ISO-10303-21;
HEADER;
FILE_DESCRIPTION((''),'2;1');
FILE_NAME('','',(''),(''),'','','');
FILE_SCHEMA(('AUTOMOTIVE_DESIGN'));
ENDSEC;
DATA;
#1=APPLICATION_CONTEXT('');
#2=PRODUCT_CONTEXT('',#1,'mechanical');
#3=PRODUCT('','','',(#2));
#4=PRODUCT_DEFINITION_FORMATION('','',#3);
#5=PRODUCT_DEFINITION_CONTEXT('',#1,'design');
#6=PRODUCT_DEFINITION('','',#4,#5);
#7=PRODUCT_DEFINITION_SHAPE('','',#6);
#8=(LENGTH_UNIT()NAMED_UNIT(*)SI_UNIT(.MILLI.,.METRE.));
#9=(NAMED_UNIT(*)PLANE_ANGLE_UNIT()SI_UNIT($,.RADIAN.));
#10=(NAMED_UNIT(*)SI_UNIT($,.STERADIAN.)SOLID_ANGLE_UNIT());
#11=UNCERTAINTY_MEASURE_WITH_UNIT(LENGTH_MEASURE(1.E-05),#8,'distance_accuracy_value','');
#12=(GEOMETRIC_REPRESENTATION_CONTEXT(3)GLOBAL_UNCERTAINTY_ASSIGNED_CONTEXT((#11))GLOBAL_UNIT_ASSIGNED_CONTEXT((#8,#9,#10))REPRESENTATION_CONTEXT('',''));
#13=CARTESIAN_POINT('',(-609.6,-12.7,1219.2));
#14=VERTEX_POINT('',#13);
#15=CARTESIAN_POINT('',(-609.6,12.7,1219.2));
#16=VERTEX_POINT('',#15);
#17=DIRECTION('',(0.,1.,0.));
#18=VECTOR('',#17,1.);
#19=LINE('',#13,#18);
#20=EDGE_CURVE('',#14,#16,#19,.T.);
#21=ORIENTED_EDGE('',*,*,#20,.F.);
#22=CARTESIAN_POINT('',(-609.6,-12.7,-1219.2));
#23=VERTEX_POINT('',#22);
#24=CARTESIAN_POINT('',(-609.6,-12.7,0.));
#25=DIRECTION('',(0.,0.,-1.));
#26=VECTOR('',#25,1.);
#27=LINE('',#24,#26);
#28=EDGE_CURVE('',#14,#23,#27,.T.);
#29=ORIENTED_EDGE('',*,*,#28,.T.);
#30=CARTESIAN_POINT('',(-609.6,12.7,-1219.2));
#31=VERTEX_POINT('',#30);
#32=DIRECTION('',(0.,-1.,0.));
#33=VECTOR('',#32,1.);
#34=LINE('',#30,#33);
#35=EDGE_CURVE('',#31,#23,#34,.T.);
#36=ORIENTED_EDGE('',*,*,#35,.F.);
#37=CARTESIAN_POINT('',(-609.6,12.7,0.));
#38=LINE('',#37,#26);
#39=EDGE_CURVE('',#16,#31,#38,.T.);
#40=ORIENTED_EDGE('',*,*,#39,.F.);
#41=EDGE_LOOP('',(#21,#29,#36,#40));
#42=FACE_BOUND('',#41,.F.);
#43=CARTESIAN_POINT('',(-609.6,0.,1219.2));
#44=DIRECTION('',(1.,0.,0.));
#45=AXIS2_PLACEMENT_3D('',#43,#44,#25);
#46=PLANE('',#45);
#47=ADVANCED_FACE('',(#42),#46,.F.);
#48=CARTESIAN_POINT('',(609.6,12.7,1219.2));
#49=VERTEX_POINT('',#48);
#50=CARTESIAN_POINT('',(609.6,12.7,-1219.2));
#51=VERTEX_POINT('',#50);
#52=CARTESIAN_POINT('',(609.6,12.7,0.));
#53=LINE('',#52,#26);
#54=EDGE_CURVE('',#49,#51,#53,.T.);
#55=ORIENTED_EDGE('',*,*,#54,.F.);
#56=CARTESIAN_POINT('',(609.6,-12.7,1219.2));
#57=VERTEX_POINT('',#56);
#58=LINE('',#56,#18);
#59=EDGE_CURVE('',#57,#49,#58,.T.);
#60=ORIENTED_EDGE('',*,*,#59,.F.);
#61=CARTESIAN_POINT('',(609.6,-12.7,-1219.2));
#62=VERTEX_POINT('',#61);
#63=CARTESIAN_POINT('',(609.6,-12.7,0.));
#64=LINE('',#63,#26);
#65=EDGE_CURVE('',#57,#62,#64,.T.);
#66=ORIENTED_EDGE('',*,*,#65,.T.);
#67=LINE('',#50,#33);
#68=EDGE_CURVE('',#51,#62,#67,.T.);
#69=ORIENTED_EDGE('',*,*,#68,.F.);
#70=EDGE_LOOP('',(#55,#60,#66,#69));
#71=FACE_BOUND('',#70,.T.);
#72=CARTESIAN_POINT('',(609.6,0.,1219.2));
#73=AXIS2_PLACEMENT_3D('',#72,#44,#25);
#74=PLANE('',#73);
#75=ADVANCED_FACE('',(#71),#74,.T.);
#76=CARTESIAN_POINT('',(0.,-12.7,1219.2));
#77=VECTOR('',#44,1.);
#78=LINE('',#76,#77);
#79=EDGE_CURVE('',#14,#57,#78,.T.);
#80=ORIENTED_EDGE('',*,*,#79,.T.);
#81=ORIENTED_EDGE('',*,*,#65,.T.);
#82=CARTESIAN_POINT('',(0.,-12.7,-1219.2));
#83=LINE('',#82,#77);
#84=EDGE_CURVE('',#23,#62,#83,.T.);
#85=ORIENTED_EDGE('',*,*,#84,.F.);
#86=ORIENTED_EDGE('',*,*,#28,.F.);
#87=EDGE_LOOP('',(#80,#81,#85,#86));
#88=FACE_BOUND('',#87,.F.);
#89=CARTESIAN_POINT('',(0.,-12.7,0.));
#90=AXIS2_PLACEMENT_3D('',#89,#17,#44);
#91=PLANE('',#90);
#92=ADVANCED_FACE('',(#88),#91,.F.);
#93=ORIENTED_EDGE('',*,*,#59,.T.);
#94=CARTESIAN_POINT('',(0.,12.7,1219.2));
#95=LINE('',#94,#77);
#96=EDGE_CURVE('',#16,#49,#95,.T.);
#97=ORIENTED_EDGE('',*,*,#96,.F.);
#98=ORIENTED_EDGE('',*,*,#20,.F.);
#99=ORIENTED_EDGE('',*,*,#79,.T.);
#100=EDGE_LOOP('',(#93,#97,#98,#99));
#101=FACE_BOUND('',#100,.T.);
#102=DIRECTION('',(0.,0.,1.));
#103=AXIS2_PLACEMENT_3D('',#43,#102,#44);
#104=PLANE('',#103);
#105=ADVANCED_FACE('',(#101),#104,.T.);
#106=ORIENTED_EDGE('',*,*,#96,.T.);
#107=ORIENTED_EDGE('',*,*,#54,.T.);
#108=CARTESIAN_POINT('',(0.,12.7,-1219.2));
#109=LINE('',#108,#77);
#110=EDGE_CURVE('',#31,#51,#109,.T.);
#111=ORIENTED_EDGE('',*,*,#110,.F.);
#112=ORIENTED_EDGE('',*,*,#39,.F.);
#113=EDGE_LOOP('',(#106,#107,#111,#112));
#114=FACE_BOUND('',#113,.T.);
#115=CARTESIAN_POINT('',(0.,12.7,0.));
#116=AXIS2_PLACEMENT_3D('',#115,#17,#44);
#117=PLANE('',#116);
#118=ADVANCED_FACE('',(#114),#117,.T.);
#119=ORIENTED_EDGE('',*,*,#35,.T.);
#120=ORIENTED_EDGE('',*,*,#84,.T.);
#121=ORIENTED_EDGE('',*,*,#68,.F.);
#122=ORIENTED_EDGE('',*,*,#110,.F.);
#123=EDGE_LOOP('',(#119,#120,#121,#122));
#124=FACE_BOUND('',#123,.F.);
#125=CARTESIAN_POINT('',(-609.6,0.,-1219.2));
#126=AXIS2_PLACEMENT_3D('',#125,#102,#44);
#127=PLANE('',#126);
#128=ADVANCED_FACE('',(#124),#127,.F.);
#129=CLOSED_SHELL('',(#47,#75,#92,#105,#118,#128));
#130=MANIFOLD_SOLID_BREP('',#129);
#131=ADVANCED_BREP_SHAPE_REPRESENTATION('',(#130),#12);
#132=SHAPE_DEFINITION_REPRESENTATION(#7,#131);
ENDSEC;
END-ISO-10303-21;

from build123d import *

# Parameters (mm, degrees)
SKETCH1_W           = 1219.2
SKETCH1_H           = 2438.4
BOSS_EXTRUDE1_DEPTH = 12.7


with BuildPart() as part:
    # Sketch1 → Boss-Extrude1 (new body, symmetric)
    with BuildSketch(Plane(origin=(0, 0, 0), x_dir=(1, 0, 0), z_dir=(0, 1, 0))):
        Rectangle(SKETCH1_W, SKETCH1_H)
    extrude(amount=BOSS_EXTRUDE1_DEPTH, both=True)


solid = part.part
